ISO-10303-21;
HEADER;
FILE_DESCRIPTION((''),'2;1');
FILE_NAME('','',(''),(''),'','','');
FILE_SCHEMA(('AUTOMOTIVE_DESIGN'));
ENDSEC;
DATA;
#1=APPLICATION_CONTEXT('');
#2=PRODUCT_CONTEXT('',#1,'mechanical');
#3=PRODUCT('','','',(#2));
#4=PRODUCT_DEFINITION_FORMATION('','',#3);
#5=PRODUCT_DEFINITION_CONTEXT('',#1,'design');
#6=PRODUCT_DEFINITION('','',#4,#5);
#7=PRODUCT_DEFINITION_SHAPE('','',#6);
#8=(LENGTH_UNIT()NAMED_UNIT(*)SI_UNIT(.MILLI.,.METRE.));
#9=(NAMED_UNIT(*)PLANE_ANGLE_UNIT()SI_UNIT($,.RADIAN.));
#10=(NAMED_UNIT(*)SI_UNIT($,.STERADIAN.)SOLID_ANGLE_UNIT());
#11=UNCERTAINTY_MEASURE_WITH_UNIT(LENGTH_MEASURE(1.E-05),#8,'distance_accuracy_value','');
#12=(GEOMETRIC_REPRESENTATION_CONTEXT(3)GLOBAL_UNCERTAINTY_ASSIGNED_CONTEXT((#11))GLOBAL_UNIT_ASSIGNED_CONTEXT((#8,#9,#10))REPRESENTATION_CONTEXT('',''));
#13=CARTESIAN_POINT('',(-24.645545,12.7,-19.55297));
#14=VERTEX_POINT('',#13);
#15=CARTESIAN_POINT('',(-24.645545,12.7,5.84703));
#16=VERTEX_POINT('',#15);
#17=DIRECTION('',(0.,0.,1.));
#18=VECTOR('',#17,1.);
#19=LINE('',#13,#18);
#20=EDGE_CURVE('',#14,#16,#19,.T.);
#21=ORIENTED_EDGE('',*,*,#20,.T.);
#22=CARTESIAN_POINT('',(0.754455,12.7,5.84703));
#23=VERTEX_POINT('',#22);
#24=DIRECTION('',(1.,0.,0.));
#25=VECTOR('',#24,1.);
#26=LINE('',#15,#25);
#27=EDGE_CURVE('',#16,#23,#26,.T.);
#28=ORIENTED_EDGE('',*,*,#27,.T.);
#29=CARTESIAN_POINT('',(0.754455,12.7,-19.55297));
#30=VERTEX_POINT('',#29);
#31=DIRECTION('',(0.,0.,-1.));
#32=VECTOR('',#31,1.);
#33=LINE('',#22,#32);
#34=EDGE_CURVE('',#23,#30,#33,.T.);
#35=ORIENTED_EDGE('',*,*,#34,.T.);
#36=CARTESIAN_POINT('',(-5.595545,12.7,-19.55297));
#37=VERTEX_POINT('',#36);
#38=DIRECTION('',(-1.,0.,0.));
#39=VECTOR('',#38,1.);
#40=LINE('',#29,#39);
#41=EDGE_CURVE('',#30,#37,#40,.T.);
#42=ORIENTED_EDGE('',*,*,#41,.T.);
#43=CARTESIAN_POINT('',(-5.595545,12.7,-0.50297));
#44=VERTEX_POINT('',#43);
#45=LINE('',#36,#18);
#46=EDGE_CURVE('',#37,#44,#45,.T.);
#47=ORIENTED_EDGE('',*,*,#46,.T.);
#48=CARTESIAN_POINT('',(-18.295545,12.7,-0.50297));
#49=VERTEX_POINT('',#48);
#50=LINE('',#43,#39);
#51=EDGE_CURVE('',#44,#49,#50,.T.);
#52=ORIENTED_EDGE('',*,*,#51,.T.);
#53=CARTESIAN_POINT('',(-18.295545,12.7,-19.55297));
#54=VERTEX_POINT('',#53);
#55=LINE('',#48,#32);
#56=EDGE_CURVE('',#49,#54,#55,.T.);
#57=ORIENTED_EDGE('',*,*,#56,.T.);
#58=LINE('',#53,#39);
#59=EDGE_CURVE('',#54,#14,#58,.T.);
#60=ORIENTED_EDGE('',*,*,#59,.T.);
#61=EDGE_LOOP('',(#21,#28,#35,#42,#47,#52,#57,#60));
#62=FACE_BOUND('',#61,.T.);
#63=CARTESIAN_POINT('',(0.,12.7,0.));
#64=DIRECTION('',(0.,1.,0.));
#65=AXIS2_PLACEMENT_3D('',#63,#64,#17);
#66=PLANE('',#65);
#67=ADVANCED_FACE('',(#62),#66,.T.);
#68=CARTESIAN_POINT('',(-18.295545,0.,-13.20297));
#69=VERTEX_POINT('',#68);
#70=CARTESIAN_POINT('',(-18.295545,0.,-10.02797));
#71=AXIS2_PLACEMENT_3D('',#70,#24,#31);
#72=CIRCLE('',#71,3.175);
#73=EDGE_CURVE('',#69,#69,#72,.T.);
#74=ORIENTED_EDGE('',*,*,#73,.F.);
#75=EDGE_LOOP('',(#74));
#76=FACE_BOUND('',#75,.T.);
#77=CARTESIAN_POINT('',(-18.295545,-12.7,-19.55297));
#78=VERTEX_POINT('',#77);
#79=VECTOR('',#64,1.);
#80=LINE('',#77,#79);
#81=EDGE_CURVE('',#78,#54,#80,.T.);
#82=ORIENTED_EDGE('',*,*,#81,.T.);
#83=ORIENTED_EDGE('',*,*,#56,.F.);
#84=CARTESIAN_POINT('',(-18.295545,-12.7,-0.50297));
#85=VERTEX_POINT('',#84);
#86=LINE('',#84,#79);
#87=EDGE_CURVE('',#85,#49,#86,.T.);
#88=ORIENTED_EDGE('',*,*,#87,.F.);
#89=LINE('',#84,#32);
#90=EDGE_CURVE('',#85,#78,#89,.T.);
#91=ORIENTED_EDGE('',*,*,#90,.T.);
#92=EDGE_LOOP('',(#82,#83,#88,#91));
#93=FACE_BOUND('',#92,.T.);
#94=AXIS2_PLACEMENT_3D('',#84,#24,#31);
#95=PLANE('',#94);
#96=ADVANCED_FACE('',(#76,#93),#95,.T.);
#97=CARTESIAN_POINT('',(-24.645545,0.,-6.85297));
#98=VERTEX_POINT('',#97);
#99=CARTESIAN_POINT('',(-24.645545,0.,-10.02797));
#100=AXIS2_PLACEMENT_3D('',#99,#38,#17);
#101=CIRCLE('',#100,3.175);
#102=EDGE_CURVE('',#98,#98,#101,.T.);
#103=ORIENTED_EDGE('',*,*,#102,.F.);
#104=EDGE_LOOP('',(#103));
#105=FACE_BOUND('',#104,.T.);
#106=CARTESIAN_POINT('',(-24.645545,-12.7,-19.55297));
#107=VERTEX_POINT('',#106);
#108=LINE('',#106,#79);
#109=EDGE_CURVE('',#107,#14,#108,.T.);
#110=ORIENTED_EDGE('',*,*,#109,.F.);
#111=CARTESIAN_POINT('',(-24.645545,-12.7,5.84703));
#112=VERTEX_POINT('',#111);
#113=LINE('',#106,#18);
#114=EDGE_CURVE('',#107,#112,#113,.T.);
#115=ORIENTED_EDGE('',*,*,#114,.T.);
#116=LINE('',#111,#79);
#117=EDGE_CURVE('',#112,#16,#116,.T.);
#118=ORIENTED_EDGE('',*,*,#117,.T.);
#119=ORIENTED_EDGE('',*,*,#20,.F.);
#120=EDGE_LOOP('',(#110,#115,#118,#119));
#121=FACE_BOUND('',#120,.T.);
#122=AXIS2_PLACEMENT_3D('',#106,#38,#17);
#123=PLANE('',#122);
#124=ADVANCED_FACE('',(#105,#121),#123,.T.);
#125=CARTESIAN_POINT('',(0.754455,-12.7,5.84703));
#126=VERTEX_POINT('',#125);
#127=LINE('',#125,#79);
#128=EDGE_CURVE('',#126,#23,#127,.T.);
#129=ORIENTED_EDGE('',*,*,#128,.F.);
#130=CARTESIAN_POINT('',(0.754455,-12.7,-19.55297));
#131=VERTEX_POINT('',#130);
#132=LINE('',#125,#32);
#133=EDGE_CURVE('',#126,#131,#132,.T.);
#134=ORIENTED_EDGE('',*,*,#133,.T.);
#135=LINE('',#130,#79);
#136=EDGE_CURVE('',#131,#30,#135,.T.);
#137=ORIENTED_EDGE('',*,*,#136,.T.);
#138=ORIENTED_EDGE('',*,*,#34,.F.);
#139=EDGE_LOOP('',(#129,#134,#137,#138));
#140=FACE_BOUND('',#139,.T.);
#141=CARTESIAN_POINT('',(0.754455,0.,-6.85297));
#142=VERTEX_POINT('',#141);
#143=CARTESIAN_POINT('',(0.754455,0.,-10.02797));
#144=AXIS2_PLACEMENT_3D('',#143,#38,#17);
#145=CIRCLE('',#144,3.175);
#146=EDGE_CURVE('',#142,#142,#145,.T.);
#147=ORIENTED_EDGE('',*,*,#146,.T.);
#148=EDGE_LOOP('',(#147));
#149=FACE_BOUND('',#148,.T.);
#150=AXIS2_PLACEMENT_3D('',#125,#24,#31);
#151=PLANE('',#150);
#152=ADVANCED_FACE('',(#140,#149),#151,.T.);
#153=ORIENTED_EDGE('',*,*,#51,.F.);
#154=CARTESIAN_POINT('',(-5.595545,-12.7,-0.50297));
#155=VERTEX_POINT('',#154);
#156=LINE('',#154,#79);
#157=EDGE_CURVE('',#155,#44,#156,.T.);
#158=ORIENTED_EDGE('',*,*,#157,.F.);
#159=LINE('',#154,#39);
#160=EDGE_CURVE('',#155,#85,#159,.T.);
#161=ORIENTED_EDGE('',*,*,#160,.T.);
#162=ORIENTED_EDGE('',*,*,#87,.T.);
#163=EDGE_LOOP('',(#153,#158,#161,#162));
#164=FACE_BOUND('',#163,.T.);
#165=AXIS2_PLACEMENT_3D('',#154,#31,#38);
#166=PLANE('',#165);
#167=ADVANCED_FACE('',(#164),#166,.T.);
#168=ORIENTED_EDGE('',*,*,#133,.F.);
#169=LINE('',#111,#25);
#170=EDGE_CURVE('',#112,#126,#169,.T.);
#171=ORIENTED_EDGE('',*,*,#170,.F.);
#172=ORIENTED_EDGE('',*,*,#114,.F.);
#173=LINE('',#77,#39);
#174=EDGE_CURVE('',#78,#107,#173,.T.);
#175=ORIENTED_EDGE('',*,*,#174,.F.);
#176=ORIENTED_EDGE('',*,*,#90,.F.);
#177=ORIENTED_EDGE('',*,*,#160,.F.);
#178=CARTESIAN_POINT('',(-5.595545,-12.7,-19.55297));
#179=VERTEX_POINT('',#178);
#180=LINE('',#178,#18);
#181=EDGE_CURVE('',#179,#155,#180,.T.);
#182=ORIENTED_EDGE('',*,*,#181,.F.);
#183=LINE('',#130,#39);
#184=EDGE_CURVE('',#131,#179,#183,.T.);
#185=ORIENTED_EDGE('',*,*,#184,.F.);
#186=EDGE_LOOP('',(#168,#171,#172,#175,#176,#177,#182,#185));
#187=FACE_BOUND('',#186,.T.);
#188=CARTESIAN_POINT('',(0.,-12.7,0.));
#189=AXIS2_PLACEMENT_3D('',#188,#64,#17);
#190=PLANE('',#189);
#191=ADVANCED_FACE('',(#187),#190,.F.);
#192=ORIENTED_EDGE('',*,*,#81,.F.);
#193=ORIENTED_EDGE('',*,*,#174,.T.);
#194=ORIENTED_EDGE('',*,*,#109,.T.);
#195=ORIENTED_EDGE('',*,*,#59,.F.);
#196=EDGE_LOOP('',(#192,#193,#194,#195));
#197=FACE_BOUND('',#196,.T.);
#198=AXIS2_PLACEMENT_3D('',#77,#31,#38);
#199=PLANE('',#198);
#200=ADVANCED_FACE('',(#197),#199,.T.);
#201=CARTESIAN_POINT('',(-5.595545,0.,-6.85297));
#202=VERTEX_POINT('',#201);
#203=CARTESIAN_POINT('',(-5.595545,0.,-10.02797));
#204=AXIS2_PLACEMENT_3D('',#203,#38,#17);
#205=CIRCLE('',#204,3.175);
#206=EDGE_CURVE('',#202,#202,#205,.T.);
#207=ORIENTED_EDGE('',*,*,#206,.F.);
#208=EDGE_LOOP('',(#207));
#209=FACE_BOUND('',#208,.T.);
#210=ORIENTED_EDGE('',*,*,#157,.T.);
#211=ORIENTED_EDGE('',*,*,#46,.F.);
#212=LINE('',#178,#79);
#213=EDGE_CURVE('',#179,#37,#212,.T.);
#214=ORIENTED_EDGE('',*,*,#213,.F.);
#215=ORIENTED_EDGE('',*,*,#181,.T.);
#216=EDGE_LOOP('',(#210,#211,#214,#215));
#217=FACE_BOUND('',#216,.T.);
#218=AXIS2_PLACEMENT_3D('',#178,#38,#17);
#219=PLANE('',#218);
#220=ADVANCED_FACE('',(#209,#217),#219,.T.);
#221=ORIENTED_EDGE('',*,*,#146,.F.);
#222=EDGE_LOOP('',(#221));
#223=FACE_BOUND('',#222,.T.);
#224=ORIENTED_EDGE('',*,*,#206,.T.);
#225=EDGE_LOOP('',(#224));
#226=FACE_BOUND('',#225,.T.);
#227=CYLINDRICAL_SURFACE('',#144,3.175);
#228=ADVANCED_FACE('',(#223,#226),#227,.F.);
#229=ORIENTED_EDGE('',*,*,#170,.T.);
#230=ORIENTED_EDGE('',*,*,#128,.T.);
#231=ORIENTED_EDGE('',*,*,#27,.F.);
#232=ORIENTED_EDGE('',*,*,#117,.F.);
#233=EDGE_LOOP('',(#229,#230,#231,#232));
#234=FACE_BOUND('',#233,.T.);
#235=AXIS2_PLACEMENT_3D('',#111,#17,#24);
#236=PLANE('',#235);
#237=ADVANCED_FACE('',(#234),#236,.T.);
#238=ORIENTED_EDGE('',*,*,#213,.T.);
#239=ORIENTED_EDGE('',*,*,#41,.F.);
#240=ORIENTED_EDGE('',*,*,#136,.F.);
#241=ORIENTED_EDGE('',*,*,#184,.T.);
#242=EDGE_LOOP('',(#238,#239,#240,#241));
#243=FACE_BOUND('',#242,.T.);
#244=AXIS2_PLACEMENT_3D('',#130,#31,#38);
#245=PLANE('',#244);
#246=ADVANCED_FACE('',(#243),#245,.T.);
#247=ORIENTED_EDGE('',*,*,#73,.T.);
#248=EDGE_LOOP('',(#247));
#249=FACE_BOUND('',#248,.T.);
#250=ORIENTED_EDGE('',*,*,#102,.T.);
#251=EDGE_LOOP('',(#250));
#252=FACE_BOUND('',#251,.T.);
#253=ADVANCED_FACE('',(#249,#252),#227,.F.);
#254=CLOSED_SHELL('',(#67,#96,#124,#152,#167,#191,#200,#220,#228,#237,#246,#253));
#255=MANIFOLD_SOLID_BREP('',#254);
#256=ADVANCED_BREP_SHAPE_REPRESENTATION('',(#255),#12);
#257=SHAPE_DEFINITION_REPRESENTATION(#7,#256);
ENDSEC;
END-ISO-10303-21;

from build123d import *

# Parameters (mm, degrees)
BOSS_EXTRUDE1_DEPTH      = 12.7
BOSS_EXTRUDE1_DEPTH_BACK = 12.7
SKETCH3_R                = 3.175
CUT_EXTRUDE1_DEPTH       = 35.478524438


with BuildPart() as part:
    # Sketch1 → Boss-Extrude1 (new, two sides: drawn at the far end of the back side and taken through both)
    with BuildSketch(Plane(origin=(0, 0, 0), x_dir=(1, 0, 0), z_dir=(0, 1, 0)).offset(-BOSS_EXTRUDE1_DEPTH_BACK)):
        Polygon((-24.645544554, -5.847029703), (0.754455446, -5.847029703), (0.754455446, 19.552970297), (-5.595544554, 19.552970297), (-5.595544554, 0.502970297), (-18.295544554, 0.502970297), (-18.295544554, 19.552970297), (-24.645544554, 19.552970297), align=None)
    extrude(amount=BOSS_EXTRUDE1_DEPTH + BOSS_EXTRUDE1_DEPTH_BACK)

    # Sketch3 → Cut-Extrude1 (cut, through all)
    with BuildSketch(Plane.ZY.offset(24.645544554)):
        with Locations((-10.027970297, 0)):
            Circle(SKETCH3_R)
    extrude(amount=-CUT_EXTRUDE1_DEPTH, mode=Mode.SUBTRACT)


solid = part.part
